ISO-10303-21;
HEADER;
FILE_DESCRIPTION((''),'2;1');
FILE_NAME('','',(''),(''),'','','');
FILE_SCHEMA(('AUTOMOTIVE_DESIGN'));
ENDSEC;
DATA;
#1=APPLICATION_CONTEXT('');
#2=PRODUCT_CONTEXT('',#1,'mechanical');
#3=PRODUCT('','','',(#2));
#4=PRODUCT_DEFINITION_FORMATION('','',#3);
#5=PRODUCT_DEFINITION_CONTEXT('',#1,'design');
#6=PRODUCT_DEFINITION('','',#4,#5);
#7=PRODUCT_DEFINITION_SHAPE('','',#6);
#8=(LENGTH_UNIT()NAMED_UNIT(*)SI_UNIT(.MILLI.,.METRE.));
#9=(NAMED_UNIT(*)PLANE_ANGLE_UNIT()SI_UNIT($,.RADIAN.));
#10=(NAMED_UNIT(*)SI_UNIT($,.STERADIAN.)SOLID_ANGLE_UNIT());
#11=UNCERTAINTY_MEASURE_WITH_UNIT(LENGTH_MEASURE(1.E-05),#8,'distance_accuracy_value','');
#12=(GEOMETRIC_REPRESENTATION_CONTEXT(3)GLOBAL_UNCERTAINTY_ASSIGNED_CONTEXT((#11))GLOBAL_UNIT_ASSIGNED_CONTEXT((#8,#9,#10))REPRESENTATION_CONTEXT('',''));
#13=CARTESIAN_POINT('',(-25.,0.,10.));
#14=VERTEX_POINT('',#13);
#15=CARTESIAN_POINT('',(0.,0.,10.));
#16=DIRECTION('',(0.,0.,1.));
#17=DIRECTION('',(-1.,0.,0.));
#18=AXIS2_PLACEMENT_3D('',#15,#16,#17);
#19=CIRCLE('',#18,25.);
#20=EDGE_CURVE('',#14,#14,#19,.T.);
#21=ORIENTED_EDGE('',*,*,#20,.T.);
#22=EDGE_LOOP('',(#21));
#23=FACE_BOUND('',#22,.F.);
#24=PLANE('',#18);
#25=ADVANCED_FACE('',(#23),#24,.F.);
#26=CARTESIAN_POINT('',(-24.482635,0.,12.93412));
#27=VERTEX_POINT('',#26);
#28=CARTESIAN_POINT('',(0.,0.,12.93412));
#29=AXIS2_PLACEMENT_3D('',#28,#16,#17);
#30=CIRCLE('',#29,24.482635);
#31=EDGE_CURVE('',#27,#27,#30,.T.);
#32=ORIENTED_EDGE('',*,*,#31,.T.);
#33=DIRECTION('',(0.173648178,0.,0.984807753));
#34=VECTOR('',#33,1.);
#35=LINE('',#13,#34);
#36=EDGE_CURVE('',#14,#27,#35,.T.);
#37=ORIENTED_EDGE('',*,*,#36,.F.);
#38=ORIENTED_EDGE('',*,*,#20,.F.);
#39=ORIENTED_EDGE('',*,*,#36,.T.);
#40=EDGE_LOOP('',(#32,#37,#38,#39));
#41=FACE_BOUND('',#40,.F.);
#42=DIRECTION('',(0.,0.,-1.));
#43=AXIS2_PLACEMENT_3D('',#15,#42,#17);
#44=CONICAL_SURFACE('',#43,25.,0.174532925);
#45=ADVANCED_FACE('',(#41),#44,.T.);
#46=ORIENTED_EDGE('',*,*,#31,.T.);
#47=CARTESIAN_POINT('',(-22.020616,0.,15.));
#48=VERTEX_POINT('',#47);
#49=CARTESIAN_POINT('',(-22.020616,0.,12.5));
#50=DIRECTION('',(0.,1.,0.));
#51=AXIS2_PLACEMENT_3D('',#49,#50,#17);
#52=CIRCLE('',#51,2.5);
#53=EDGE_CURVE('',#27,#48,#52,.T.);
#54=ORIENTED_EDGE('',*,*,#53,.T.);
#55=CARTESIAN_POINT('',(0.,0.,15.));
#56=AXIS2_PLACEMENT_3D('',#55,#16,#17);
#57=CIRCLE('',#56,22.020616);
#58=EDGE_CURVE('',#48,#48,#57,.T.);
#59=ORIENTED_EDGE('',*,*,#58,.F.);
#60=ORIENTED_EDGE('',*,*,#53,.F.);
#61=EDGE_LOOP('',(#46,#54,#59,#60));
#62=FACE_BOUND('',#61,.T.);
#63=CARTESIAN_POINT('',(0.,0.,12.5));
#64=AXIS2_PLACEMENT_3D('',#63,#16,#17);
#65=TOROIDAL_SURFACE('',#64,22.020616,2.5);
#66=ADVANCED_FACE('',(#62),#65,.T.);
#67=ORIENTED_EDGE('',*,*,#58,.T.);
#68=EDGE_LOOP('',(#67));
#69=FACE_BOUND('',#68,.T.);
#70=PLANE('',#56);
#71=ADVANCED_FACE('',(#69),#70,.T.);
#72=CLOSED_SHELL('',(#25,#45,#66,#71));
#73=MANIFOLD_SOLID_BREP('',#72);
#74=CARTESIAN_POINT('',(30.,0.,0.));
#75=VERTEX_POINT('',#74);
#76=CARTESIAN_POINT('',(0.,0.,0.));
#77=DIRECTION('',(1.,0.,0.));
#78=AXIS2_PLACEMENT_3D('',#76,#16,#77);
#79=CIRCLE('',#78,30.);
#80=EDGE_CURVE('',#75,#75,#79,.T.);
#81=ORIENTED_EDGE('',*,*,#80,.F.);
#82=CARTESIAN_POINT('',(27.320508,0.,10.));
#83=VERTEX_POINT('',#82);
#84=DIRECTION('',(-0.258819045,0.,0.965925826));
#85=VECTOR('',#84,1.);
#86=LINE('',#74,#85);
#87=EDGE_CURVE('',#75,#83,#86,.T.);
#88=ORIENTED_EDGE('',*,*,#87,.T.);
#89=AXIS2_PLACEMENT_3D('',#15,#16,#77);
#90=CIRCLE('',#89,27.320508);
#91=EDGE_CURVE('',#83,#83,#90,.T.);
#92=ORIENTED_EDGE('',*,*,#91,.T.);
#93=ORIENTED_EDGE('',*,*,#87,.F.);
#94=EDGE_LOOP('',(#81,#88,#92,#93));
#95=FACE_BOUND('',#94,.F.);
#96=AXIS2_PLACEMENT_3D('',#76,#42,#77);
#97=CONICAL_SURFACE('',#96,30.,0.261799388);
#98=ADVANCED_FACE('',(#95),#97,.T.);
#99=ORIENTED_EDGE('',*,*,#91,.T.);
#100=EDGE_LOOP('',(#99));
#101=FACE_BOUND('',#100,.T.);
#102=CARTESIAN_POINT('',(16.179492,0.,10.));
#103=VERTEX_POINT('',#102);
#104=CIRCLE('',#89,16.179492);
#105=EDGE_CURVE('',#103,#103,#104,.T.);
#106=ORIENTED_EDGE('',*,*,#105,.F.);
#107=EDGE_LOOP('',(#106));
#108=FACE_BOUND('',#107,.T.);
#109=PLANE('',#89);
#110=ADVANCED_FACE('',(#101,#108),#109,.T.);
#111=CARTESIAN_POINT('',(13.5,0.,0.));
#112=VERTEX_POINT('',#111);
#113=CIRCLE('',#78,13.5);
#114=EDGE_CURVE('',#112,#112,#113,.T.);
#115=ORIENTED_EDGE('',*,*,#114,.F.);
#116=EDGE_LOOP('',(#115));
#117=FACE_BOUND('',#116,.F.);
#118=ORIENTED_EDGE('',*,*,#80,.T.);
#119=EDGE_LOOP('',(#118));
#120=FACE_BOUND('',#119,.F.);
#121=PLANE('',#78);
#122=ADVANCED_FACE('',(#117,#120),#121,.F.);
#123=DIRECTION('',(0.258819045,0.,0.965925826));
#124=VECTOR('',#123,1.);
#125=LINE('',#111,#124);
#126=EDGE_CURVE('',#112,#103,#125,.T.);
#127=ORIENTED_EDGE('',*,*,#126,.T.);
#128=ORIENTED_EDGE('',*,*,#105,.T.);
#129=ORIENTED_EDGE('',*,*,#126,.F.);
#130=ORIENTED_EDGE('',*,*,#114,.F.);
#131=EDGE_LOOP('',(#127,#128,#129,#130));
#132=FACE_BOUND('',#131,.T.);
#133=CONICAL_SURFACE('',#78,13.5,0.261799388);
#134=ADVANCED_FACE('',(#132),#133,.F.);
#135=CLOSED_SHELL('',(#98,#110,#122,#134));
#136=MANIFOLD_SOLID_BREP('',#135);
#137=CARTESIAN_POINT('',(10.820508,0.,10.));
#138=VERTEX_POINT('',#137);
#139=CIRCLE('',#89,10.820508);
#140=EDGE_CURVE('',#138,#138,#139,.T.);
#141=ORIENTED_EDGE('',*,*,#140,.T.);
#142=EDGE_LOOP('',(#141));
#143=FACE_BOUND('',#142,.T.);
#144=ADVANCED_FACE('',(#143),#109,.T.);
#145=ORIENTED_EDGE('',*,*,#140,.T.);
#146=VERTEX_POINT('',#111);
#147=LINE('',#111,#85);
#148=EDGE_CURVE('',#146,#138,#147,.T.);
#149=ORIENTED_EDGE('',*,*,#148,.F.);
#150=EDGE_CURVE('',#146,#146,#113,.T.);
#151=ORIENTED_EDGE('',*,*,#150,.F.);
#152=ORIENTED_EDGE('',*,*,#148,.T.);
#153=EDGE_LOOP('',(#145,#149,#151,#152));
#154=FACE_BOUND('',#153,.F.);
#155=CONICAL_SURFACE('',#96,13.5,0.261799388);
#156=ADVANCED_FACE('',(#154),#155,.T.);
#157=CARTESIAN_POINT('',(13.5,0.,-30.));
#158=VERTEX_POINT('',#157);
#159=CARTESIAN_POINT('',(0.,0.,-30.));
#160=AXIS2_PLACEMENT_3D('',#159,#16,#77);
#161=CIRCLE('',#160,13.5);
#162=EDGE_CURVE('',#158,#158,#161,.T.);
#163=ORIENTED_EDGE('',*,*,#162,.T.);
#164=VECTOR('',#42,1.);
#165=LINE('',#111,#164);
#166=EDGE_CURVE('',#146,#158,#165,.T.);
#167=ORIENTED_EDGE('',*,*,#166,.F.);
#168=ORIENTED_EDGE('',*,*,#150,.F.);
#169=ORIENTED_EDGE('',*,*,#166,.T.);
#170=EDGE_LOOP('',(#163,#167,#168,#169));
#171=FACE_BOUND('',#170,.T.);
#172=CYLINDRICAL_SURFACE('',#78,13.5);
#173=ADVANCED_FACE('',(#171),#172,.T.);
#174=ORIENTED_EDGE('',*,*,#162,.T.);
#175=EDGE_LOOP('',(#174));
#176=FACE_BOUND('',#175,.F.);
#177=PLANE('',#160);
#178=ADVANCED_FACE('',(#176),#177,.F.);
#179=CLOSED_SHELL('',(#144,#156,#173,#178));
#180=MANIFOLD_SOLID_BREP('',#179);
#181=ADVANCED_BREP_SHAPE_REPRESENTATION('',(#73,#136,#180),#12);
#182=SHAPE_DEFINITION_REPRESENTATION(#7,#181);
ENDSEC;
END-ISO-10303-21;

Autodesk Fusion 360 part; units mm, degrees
sketch "Sketch1" plane through (0, 0, 0) normal (0, 0, 1) x (1, 0, 0)
  circle A0 centre (0, 0) radius 13.5
  circle A1 centre (0, 0) radius 30
  dimension "d1" = 27
  dimension "d2" = 60
extrude "Extrude1" add sketch "Sketch1" against normal blind 30 contours A0 makes body 1
extrude "Extrude2" add sketch "Sketch1" along normal blind 10 draft -15 contours A0 | A1 bodies 1
sketch "Sketch2" plane through (0, 0, 10) normal (0, 0, 1) x (-1, 0, 0)
  circle A0 centre (0, 0) radius 27.3205
  circle A1 centre (0, 0) radius 25
extrude "Extrude3" add sketch "Sketch2" along normal blind 5 draft -10 separate body contours A1 makes body 2
fillet "Fillet1" radius 2.5 1 edges at (22.4862, -8.7216, 15) on bodies 2
